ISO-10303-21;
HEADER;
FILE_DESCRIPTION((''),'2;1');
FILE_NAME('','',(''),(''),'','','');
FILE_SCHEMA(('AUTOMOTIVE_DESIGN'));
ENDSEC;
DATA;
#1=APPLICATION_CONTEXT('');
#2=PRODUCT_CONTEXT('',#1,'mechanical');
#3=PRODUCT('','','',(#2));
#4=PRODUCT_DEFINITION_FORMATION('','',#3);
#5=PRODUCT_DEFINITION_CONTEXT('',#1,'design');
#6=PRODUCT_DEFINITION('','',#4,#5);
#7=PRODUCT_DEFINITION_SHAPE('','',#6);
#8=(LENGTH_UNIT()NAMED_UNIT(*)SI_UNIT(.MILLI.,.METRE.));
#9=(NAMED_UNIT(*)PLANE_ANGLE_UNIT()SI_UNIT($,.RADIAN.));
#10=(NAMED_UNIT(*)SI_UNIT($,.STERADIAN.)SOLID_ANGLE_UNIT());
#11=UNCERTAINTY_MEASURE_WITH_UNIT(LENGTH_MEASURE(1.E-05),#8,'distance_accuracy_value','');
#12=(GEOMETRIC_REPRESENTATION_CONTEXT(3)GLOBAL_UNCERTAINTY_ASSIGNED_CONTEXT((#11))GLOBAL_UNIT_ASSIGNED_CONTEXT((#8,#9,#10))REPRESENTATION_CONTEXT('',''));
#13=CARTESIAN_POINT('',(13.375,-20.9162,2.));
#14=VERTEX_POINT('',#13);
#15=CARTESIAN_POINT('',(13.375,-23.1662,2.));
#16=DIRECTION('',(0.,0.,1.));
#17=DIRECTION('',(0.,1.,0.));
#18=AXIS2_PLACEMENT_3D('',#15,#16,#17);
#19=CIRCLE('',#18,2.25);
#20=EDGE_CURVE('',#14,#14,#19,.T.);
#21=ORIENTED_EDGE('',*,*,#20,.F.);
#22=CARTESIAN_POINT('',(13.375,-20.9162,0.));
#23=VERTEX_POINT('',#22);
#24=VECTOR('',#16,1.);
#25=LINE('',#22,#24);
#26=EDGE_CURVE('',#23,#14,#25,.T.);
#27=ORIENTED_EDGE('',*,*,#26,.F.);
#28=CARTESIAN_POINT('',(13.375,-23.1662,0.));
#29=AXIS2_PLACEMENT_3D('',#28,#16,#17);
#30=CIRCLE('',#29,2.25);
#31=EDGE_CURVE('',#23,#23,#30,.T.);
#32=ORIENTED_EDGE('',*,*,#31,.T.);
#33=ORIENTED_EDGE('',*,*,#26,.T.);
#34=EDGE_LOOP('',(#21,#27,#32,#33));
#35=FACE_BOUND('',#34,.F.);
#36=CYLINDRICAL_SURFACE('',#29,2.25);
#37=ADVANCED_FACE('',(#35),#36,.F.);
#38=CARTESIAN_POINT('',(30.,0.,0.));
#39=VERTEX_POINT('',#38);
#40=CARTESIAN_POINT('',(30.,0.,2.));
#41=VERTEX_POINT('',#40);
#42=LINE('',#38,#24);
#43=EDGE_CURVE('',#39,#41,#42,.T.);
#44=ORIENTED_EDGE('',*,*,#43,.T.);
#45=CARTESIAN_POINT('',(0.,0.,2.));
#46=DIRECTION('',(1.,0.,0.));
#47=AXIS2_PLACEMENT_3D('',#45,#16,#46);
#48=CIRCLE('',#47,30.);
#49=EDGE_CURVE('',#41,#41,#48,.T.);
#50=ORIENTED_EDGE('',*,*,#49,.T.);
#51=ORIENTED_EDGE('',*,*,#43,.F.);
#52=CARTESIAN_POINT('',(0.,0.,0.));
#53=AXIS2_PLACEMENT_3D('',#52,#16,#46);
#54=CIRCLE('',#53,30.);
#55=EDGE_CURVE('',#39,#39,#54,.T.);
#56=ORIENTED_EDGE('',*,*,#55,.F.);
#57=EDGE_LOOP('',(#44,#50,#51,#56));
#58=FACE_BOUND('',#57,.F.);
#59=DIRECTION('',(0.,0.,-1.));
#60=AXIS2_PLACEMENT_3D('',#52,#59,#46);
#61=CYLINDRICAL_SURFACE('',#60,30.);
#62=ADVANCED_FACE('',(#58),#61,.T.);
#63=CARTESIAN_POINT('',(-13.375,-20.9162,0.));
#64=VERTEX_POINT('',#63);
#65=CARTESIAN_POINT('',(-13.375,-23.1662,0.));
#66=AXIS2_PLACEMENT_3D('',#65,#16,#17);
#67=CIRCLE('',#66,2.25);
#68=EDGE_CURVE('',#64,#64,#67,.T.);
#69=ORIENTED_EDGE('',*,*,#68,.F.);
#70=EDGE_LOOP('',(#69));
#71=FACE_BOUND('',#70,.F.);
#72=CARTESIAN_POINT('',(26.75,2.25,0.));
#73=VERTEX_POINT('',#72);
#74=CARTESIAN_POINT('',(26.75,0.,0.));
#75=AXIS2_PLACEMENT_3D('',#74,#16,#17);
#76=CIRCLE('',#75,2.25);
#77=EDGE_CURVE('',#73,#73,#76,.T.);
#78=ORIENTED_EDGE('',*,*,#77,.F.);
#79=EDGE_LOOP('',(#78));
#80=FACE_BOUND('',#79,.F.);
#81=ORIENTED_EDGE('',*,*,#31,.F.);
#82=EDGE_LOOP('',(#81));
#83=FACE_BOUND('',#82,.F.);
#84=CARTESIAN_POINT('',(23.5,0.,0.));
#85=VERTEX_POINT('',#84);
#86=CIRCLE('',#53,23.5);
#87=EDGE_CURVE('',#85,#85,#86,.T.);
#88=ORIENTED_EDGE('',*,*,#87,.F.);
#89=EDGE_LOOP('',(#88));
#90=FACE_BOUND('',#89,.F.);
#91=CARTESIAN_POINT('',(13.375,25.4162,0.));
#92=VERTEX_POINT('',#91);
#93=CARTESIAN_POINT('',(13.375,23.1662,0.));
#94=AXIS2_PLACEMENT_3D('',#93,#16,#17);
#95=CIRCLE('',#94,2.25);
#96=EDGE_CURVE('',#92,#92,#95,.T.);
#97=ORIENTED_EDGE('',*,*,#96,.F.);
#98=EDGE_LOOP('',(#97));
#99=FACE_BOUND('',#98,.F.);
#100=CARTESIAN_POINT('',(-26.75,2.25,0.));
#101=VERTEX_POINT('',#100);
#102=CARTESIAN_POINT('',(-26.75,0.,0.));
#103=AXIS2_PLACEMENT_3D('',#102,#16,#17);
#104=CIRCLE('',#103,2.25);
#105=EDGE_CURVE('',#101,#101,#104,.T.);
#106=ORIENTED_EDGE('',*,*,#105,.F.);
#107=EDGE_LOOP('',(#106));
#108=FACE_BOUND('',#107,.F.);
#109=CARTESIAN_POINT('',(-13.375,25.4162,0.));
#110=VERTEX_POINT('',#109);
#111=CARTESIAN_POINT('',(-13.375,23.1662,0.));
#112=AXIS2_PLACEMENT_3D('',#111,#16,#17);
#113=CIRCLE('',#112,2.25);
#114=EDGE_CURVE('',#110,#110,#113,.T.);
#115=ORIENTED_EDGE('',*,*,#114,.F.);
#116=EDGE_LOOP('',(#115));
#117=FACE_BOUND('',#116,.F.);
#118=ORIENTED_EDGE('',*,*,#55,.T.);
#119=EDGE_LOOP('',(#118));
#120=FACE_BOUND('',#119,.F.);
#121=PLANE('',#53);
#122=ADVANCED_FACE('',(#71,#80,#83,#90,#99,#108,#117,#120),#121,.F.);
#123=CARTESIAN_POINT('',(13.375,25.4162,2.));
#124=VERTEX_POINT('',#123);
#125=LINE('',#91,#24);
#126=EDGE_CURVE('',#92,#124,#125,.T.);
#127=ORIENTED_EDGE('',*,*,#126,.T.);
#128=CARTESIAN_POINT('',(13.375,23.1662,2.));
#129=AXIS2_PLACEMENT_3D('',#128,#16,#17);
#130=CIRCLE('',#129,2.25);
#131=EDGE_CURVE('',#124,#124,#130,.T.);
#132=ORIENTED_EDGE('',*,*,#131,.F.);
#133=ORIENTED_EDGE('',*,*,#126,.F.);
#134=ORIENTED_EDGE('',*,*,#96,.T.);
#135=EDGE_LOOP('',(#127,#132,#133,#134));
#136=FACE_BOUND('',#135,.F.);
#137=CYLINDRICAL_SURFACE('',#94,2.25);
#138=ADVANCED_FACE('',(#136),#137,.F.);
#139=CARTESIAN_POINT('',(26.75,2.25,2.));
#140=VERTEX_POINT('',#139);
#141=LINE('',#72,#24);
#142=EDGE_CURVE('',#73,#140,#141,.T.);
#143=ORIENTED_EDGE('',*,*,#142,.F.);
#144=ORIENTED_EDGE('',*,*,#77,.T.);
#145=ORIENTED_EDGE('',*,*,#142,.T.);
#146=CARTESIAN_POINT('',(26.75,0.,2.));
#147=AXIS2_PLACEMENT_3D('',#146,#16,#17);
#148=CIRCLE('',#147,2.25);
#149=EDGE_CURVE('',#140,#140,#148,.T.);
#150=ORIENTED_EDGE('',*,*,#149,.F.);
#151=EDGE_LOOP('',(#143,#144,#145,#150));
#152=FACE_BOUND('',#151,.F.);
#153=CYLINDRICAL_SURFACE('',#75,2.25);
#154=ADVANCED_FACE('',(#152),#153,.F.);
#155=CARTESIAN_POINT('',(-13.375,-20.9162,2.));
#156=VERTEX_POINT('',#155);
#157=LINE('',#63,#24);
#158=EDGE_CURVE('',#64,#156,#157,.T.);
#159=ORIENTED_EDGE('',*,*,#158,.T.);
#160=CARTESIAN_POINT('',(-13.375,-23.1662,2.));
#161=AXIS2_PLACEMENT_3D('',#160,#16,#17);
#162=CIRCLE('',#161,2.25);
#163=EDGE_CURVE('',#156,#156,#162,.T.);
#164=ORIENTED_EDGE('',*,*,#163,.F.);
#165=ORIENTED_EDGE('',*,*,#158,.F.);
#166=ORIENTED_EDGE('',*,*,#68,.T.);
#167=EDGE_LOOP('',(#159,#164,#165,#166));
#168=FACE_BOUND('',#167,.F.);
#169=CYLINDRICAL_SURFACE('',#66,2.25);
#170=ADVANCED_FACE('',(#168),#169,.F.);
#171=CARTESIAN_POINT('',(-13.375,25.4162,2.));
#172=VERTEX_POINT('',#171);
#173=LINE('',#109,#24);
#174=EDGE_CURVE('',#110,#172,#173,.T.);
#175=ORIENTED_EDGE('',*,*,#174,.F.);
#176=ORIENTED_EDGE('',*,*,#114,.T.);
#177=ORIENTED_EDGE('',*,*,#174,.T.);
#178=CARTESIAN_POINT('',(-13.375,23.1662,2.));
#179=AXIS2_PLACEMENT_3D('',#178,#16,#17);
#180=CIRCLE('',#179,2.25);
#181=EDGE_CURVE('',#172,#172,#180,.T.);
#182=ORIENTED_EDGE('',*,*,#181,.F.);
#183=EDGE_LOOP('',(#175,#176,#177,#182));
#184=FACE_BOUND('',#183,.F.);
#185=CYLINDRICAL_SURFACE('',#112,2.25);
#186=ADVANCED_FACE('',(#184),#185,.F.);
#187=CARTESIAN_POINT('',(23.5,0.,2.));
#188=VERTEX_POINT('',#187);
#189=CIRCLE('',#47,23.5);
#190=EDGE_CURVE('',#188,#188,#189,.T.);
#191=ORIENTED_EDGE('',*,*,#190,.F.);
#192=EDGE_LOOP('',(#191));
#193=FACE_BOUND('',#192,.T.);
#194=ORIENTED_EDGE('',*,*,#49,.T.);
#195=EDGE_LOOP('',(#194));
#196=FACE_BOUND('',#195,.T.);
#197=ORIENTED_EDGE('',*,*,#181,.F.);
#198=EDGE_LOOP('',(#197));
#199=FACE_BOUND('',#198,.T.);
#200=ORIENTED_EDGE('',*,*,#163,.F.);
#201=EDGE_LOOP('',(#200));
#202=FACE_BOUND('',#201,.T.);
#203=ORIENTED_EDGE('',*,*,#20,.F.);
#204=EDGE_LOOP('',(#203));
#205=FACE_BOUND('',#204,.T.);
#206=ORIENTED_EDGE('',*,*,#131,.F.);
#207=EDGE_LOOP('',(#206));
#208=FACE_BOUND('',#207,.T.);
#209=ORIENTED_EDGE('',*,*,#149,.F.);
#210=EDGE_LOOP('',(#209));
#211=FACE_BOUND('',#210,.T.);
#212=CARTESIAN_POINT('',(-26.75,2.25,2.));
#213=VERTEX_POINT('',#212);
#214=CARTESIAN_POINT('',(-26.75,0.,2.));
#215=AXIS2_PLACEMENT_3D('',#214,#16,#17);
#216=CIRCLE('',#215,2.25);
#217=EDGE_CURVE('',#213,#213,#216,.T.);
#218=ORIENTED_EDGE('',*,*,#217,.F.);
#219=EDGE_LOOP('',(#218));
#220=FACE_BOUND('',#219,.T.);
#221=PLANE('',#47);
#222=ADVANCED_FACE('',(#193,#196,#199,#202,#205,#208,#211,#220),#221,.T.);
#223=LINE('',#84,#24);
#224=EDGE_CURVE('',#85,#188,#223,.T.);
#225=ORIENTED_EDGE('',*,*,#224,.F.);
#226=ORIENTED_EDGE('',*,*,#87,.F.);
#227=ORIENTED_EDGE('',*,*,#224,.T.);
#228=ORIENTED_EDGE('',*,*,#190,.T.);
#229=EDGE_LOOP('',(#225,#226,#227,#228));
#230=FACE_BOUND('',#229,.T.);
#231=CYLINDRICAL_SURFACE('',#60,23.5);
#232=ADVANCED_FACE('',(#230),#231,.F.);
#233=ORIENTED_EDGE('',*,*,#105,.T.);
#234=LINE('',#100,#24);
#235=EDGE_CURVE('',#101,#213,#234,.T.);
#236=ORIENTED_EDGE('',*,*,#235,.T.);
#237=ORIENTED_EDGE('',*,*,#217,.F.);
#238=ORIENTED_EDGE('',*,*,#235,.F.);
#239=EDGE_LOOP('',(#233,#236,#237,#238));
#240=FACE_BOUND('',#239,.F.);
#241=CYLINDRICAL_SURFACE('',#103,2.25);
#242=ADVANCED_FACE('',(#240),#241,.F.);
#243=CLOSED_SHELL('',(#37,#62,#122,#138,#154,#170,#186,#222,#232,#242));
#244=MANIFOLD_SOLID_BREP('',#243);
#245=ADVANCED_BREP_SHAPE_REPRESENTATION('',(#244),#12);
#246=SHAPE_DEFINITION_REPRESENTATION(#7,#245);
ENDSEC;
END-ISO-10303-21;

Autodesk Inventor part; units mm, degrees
ref_plane "YZ Plane" through (0, 0, 0) normal (1, 0, 0) x (0, 1, 0)
ref_plane "XZ Plane" through (0, 0, 0) normal (0, 1, 0) x (-1, 0, 0)
ref_plane "XY Plane" through (0, 0, 0) normal (0, 0, 1) x (1, 0, 0)
sketch "Sketch2" plane through (0, 0, 0) normal (0, 0, 1) x (1, 0, 0)
  circle A0 centre (0, 0) radius 30
  circle A1 centre (0, 0) radius 23.5
  dimension "d0" = 60
  dimension "d1" = 47
extrude "Extrusion1" add sketch "Sketch2" along normal blind 2
sketch "Sketch3" plane through (0, 0, 0) normal (0, 0, -1) x (-1, 0, 0)
  circle A0 centre (26.75, 0) radius 2.25 construction
  circle A1 centre (-13.375, -23.1662) radius 2.25 construction
  circle A2 centre (-13.375, 23.1662) radius 2.25 construction
  circle A3 centre (-26.75, 0) radius 2.25 construction
  circle A4 centre (13.375, -23.1662) radius 2.25 construction
  circle A5 centre (13.375, 23.1662) radius 2.25 construction
  circle A6 centre (0, 0) radius 30 construction
  ellipse E0 centre (0, 0) end of major axis (8.4853, 0) minor radius 6 projected
  point P0 (0, 0)
hole "Hole1" at (-26.75, 0, 0) at (-13.375, -23.1662, 0) at (13.375, -23.1662, 0) at (26.75, 0, 0) at (13.375, 23.1662, 0) at (-13.375, 23.1662, 0) direction (0, 0, 1) diameter 4.5 end through all clearance for "Countersunk Flat Head Screw ISO 2009/7046" size "M4" standard "ISO"
properties part number "P022" material "Polytetrafluoroethylene"
